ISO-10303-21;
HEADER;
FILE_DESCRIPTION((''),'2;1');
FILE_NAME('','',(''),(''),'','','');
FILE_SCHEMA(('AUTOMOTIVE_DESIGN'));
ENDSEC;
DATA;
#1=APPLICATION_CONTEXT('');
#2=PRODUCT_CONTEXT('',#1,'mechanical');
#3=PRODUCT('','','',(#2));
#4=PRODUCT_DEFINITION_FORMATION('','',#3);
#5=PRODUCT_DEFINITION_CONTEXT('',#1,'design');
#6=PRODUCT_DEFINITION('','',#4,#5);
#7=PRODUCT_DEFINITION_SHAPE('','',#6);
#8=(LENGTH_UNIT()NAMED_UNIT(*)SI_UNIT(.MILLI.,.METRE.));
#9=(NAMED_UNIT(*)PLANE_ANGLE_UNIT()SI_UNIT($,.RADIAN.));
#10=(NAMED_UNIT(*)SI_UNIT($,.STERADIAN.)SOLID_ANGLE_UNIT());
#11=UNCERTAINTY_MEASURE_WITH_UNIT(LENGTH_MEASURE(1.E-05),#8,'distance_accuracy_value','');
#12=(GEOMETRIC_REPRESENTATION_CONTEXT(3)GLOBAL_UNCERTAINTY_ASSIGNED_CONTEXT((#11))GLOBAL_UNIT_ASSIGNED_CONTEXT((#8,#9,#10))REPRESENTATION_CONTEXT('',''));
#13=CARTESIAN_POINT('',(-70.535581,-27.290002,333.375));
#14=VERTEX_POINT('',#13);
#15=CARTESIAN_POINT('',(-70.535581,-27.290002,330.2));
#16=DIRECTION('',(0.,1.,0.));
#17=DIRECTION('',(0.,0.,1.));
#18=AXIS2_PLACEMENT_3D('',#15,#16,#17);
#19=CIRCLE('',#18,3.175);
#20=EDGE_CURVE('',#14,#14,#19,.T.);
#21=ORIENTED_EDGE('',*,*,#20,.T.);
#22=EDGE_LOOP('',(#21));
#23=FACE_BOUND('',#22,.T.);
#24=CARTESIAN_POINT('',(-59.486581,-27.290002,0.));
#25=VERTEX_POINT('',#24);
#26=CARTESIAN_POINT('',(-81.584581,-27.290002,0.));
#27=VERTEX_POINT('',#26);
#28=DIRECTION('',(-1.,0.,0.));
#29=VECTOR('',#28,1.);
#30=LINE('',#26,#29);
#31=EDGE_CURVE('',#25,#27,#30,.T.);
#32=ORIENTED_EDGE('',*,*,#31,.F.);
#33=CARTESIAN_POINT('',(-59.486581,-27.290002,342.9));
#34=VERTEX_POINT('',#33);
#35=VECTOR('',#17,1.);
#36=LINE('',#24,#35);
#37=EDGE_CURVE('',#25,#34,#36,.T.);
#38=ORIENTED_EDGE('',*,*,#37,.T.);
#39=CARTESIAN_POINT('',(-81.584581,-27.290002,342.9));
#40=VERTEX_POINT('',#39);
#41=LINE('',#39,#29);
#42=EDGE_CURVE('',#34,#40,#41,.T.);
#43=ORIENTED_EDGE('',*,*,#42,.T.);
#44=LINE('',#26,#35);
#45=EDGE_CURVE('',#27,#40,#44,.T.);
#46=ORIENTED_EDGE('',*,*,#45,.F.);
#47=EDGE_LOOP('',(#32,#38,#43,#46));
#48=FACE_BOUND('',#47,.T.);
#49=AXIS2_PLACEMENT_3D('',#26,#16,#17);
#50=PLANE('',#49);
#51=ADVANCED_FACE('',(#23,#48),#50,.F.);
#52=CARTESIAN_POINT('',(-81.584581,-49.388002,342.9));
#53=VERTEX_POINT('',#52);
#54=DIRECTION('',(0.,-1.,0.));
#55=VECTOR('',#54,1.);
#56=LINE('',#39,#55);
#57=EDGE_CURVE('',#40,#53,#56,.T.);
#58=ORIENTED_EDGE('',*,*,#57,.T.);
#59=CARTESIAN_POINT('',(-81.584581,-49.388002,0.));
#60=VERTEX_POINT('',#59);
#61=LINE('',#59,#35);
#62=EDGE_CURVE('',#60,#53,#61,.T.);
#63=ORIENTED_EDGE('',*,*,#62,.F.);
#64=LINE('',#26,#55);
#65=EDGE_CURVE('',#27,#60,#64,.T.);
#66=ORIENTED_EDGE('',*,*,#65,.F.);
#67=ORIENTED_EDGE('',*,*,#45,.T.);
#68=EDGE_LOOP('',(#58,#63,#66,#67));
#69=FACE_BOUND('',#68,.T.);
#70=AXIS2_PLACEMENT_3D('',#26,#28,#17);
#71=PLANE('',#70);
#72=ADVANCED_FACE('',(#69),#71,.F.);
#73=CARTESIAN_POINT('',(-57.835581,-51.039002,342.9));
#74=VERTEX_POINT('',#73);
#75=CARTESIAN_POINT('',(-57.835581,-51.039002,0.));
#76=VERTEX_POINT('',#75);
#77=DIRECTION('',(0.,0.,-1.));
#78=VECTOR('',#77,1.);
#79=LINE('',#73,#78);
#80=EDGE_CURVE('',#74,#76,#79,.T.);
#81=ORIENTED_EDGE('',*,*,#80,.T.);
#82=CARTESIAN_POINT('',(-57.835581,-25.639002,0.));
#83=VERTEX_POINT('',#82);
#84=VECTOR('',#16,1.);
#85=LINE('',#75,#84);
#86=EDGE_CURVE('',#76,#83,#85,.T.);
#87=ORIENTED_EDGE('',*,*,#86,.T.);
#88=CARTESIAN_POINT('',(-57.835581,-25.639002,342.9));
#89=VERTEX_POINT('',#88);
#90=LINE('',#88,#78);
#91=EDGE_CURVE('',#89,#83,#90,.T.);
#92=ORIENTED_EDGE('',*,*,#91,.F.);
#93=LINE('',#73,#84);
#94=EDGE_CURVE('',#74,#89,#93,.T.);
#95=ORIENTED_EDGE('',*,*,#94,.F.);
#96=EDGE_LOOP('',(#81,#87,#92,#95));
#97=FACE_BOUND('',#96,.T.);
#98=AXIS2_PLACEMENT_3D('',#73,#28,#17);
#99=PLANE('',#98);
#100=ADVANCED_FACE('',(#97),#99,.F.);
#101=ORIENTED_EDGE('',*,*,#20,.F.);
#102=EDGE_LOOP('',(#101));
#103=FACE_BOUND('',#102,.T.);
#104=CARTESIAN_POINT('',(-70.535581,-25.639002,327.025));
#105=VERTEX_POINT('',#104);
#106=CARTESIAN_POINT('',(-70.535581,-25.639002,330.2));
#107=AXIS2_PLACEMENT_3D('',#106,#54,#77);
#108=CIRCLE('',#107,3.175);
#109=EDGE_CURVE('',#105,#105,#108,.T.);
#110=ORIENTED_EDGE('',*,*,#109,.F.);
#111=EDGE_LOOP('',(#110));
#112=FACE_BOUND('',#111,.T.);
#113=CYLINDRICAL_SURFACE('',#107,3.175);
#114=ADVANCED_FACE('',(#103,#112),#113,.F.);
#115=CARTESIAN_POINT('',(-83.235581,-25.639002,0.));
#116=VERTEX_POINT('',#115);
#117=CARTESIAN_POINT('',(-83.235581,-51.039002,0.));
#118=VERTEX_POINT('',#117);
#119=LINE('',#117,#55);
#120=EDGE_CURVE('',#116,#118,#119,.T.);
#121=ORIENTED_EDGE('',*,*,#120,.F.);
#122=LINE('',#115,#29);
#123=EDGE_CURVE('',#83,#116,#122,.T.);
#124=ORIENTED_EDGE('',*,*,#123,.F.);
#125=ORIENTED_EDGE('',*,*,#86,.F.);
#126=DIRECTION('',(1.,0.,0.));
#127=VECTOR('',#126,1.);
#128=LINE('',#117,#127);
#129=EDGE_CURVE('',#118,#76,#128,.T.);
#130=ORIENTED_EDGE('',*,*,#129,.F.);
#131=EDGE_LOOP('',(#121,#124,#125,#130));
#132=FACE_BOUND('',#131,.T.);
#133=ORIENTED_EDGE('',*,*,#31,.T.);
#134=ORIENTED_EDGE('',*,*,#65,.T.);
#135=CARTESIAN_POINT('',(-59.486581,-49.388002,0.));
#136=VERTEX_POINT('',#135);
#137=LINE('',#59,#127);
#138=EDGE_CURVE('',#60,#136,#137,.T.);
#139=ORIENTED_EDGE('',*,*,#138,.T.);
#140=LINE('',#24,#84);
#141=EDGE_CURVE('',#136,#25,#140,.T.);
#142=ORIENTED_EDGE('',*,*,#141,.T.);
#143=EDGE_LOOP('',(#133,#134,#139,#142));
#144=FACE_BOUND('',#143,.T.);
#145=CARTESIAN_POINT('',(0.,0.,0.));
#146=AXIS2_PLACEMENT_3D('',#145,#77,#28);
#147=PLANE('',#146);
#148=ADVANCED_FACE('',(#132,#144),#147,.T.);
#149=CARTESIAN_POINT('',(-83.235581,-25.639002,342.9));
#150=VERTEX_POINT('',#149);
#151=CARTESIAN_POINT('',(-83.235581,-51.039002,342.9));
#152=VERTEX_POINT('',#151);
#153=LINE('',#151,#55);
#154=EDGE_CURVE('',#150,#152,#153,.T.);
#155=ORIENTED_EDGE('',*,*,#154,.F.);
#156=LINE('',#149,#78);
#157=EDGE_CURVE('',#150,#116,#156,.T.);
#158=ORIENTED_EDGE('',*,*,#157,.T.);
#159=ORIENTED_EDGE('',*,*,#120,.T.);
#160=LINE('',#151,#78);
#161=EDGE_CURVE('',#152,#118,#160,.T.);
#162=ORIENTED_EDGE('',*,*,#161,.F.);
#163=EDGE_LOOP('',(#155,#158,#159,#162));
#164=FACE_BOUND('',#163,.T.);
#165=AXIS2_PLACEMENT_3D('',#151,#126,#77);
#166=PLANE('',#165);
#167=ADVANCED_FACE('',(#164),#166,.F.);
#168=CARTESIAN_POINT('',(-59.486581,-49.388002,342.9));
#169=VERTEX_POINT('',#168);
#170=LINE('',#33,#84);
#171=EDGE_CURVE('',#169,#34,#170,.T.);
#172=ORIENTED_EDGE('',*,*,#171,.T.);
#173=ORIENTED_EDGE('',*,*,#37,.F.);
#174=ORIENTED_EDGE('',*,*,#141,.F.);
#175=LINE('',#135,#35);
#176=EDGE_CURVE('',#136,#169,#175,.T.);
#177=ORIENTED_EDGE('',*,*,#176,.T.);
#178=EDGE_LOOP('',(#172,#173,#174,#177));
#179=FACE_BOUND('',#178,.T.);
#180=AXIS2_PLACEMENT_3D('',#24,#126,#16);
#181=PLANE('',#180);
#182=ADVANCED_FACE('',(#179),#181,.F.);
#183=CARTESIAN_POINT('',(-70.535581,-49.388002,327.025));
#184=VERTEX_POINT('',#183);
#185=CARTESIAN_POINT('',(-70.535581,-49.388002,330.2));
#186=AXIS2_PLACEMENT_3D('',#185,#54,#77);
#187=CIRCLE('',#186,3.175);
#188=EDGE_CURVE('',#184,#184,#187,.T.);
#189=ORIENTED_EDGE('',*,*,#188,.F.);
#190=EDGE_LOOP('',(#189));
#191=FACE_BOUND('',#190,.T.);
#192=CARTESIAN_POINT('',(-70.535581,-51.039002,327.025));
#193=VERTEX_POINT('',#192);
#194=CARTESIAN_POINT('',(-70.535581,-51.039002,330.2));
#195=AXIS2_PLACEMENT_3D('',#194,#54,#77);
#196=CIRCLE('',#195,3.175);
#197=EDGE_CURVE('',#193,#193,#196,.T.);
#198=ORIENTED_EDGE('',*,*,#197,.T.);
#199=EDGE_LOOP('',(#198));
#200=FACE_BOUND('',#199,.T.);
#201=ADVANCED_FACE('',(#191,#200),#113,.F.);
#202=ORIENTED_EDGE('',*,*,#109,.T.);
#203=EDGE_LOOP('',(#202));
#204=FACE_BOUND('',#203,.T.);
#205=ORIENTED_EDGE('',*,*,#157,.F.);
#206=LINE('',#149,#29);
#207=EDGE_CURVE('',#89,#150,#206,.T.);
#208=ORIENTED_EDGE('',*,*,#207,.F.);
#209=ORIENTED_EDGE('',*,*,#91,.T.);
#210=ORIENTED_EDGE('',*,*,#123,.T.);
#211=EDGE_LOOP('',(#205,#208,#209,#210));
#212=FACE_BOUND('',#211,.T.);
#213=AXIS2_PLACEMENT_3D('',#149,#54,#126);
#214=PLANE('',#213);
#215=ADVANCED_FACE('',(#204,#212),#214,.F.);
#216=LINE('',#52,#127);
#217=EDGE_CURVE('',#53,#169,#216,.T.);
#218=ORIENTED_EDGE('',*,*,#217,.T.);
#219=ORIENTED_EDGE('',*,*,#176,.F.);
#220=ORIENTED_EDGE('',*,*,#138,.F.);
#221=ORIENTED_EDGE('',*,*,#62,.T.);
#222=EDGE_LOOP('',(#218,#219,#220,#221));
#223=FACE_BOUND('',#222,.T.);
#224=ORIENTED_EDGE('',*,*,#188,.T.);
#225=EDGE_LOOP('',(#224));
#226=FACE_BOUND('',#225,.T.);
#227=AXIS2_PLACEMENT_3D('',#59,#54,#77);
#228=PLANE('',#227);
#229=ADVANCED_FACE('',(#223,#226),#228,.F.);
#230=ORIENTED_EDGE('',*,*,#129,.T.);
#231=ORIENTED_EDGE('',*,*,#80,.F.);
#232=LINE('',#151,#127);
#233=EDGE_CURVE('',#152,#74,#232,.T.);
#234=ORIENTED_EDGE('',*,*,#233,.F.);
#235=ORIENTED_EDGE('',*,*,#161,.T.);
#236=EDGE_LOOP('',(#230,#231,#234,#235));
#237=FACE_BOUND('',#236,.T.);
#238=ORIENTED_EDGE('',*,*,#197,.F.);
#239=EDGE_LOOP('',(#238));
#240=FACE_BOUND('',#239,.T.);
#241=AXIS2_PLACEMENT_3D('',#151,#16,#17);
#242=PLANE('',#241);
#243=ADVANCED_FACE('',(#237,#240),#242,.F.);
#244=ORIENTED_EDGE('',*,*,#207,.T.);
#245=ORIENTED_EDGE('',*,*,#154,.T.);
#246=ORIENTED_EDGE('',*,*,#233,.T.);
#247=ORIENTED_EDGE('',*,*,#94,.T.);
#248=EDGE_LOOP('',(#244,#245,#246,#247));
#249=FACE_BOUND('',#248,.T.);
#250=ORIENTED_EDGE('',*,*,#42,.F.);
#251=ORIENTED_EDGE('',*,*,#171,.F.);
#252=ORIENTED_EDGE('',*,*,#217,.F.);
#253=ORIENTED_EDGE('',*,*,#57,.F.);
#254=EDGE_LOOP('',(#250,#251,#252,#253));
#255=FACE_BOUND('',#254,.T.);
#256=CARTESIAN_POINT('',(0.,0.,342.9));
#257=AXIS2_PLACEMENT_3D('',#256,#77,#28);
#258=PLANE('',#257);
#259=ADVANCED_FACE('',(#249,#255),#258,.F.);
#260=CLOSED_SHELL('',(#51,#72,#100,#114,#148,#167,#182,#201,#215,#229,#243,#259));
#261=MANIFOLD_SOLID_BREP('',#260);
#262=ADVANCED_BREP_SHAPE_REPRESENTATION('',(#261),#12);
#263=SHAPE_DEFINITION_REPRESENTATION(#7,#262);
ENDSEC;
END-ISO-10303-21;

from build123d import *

# Parameters (mm, degrees)
SKETCH1_W           = 25.4
SKETCH1_H           = 25.4
BOSS_EXTRUDE1_DEPTH = 342.9
SKETCH2_W           = 22.098
SKETCH2_H           = 22.098
CUT_EXTRUDE1_DEPTH  = 357.529874987
SKETCH4_R           = 3.175
CUT_EXTRUDE3_DEPTH  = 354.770733702


with BuildPart() as part:
    # Sketch1 → Boss-Extrude1 (new body)
    with BuildSketch(Plane.XY):
        with Locations((-70.535581478, -38.339002092)):
            Rectangle(SKETCH1_W, SKETCH1_H)
    extrude(amount=BOSS_EXTRUDE1_DEPTH)

    # Sketch2 → Cut-Extrude1 (cut, through all)
    with BuildSketch(Plane.XY.offset(342.9)):
        with Locations((-70.535581478, -38.339002092)):
            Rectangle(SKETCH2_W, SKETCH2_H)
    extrude(amount=-CUT_EXTRUDE1_DEPTH, mode=Mode.SUBTRACT)

    # Sketch4 → Cut-Extrude3 (cut, through all)
    with BuildSketch(Plane.XZ.offset(51.039002092)):
        with Locations(Location((-70.535581478, 330.2, 0), (0, 0, 270))):
            Circle(SKETCH4_R)
    extrude(amount=-CUT_EXTRUDE3_DEPTH, mode=Mode.SUBTRACT)


solid = part.part
